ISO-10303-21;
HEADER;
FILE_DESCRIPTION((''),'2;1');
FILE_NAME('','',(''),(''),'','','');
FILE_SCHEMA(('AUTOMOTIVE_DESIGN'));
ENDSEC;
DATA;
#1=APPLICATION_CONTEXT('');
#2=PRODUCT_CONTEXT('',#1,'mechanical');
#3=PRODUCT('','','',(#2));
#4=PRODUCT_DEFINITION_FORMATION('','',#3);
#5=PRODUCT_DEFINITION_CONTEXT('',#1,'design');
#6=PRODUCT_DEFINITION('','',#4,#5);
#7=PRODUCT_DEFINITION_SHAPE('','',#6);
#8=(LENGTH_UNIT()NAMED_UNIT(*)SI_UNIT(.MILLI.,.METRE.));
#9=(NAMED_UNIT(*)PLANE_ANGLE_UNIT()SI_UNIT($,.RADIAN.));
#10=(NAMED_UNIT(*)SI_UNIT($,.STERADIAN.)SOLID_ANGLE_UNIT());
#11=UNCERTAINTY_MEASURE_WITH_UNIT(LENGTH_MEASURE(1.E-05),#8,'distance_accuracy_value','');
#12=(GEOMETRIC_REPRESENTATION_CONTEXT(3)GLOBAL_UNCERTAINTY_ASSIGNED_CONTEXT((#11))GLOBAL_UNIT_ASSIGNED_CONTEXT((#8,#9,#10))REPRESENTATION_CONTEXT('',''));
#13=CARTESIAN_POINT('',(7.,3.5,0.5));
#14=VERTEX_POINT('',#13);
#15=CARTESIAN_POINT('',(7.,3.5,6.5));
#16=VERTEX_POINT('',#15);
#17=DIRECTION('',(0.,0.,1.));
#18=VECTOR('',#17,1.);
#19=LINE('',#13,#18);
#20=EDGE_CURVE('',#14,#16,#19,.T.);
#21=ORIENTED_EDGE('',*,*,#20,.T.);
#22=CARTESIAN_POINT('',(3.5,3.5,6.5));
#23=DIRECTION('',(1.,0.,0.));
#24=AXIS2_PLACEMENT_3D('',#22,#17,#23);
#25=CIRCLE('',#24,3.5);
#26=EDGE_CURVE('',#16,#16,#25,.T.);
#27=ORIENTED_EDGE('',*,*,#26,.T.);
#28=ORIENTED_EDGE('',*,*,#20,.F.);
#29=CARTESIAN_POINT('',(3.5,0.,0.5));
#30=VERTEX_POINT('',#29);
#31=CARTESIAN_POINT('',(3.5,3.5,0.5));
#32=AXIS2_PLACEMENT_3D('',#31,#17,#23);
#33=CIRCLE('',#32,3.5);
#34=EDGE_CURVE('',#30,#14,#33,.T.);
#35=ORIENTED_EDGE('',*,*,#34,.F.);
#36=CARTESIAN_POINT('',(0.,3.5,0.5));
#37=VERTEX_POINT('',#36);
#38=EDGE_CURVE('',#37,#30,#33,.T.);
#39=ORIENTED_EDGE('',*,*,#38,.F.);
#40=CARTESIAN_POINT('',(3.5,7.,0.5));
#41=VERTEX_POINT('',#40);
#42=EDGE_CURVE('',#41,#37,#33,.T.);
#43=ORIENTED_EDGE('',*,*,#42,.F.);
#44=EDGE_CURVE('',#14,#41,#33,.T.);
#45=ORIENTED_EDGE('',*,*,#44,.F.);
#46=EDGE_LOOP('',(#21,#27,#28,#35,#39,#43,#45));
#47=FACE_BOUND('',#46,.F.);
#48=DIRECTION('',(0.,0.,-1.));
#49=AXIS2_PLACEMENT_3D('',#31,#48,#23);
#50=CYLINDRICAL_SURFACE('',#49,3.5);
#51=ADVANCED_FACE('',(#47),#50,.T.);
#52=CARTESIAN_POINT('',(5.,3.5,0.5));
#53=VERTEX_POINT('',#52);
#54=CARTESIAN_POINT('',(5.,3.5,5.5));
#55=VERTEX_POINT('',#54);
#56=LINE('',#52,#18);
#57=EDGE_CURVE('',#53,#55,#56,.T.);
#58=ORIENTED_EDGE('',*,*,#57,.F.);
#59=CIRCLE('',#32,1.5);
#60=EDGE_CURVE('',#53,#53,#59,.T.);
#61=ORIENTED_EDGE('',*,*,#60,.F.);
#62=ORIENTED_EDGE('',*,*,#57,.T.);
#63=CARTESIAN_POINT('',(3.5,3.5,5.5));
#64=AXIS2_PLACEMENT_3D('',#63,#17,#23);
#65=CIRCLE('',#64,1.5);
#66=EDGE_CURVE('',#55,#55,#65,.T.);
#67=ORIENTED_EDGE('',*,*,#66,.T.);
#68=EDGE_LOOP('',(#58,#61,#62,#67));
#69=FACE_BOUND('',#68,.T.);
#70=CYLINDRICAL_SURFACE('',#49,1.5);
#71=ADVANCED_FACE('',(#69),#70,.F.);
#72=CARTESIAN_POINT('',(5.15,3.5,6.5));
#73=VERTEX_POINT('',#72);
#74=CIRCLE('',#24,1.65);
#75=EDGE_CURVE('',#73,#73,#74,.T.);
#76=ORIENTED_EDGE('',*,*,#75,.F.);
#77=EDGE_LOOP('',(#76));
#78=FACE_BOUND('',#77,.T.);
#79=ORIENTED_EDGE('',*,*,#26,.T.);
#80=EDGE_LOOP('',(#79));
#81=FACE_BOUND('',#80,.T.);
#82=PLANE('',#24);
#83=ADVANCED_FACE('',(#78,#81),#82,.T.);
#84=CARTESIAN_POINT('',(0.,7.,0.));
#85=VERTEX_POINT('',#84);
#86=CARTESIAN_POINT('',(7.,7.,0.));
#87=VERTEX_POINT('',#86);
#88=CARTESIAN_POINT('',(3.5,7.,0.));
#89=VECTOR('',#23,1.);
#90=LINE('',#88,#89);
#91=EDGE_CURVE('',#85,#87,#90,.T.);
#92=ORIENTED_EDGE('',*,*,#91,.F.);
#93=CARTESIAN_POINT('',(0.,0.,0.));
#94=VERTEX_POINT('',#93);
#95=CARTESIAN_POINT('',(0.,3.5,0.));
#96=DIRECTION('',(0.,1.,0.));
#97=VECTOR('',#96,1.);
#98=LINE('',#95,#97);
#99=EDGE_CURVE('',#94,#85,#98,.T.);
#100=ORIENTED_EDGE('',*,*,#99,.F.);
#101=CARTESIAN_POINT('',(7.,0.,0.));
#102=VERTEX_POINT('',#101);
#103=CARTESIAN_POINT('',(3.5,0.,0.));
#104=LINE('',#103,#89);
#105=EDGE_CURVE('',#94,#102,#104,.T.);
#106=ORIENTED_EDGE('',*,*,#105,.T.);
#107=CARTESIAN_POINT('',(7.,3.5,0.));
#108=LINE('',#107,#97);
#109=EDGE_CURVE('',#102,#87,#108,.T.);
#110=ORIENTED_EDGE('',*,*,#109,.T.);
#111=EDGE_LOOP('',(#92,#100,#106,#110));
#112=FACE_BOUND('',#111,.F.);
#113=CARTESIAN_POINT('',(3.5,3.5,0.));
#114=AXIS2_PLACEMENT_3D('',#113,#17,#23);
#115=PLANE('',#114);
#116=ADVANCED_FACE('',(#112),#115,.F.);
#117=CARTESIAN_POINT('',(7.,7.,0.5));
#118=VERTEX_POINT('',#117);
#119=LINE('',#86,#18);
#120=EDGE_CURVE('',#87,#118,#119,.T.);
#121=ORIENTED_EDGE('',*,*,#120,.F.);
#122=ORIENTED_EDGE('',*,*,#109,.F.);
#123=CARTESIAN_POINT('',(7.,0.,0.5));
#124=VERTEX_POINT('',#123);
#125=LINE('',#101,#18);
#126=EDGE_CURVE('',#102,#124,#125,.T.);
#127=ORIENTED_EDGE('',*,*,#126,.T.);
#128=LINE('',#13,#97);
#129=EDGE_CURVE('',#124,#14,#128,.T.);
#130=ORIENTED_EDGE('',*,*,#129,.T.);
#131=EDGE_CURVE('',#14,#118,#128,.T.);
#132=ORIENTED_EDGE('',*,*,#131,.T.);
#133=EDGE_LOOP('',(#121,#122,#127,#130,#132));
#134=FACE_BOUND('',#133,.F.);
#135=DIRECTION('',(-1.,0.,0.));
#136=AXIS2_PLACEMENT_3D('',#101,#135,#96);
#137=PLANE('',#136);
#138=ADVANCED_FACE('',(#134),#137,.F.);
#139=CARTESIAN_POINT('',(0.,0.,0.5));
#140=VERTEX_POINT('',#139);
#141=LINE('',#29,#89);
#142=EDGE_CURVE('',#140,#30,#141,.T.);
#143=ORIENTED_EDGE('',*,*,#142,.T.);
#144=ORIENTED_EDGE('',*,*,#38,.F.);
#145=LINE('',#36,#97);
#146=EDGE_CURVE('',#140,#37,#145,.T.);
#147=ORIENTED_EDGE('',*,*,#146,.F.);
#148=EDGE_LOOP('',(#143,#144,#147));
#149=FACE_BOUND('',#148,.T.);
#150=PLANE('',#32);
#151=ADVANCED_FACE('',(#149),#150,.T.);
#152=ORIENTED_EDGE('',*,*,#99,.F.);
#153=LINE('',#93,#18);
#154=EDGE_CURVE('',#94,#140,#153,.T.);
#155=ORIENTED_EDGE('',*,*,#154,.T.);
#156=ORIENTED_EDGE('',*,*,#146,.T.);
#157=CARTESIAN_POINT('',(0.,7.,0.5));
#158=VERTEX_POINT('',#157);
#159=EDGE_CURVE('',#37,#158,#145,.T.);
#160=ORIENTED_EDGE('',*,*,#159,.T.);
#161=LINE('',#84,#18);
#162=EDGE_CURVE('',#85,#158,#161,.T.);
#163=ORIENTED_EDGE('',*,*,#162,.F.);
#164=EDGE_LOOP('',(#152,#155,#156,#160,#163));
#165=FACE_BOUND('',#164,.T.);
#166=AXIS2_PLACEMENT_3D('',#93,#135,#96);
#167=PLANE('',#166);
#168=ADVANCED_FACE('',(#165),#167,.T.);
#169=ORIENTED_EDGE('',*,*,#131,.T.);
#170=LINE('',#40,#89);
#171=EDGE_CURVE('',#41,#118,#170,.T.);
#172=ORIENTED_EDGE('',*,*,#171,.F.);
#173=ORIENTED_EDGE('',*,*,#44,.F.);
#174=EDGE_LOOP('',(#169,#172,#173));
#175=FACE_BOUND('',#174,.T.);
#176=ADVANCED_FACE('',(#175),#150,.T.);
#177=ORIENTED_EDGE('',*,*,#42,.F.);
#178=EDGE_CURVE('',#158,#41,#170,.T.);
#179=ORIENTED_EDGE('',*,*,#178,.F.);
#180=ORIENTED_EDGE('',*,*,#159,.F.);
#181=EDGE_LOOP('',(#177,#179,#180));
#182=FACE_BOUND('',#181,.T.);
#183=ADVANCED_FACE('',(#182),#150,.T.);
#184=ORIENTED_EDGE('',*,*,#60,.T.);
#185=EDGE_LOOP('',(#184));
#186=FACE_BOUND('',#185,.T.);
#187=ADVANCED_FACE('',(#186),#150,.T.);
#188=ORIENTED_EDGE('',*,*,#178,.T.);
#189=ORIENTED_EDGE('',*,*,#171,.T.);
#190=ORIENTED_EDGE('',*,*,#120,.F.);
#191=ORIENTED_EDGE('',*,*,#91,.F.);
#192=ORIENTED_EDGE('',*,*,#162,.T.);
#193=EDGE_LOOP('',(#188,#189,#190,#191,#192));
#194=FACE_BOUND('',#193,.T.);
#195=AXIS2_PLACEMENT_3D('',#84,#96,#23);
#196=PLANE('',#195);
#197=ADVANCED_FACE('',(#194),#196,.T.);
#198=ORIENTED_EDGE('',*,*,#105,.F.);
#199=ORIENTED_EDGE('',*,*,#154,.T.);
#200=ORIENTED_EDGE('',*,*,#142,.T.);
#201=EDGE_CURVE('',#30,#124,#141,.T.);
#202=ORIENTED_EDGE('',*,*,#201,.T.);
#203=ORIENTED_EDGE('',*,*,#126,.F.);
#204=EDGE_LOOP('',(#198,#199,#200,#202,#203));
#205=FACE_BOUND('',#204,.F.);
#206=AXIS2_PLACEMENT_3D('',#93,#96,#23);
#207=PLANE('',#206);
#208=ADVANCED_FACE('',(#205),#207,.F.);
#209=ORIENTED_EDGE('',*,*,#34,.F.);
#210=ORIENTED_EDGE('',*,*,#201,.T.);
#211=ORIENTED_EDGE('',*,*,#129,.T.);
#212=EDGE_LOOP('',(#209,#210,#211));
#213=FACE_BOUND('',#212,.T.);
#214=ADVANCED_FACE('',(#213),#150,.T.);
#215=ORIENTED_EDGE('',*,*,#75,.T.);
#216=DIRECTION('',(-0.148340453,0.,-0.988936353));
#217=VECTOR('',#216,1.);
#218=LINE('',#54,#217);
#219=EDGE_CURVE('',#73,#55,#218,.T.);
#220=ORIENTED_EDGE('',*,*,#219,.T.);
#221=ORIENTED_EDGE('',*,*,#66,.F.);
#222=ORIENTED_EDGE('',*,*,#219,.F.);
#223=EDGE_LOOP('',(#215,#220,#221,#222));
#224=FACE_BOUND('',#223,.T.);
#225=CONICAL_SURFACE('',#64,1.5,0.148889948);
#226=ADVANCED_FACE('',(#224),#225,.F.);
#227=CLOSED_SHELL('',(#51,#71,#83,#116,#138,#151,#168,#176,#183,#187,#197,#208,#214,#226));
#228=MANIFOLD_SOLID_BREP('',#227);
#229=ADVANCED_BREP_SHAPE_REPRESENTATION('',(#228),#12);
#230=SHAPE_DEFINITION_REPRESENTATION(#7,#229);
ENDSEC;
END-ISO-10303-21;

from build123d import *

# Parameters (mm, degrees)
F0_W     = 7
F0_H     = 7
F1_DEPTH = 0.5
F2_R     = 3.5
F2_R_2   = 1.5
F3_DEPTH = 6
F4_SIZE2 = 1
F4_SIZE  = 0.15


with BuildPart() as f1:
    # F0 (on Top) → F1 (new body)
    with BuildSketch(Plane.XY):
        with Locations((3.5, 3.5)):
            Rectangle(F0_W, F0_H)
    extrude(amount=F1_DEPTH)

    # F2 (on face) → F3 (join)
    with BuildSketch(Plane.XY.offset(0.5)):
        with Locations((3.5, 3.5)):
            Circle(F2_R)
        with Locations((3.5, 3.5)):
            Circle(F2_R_2, mode=Mode.SUBTRACT)
    extrude(amount=F3_DEPTH)

    # F4
    f4_edges = [f1.edges().sort_by_distance(p)[0] for p in [
        (2, 3.5, 6.5),
    ]]
    chamfer(f4_edges, length=F4_SIZE, length2=F4_SIZE2)


solid = f1.part
